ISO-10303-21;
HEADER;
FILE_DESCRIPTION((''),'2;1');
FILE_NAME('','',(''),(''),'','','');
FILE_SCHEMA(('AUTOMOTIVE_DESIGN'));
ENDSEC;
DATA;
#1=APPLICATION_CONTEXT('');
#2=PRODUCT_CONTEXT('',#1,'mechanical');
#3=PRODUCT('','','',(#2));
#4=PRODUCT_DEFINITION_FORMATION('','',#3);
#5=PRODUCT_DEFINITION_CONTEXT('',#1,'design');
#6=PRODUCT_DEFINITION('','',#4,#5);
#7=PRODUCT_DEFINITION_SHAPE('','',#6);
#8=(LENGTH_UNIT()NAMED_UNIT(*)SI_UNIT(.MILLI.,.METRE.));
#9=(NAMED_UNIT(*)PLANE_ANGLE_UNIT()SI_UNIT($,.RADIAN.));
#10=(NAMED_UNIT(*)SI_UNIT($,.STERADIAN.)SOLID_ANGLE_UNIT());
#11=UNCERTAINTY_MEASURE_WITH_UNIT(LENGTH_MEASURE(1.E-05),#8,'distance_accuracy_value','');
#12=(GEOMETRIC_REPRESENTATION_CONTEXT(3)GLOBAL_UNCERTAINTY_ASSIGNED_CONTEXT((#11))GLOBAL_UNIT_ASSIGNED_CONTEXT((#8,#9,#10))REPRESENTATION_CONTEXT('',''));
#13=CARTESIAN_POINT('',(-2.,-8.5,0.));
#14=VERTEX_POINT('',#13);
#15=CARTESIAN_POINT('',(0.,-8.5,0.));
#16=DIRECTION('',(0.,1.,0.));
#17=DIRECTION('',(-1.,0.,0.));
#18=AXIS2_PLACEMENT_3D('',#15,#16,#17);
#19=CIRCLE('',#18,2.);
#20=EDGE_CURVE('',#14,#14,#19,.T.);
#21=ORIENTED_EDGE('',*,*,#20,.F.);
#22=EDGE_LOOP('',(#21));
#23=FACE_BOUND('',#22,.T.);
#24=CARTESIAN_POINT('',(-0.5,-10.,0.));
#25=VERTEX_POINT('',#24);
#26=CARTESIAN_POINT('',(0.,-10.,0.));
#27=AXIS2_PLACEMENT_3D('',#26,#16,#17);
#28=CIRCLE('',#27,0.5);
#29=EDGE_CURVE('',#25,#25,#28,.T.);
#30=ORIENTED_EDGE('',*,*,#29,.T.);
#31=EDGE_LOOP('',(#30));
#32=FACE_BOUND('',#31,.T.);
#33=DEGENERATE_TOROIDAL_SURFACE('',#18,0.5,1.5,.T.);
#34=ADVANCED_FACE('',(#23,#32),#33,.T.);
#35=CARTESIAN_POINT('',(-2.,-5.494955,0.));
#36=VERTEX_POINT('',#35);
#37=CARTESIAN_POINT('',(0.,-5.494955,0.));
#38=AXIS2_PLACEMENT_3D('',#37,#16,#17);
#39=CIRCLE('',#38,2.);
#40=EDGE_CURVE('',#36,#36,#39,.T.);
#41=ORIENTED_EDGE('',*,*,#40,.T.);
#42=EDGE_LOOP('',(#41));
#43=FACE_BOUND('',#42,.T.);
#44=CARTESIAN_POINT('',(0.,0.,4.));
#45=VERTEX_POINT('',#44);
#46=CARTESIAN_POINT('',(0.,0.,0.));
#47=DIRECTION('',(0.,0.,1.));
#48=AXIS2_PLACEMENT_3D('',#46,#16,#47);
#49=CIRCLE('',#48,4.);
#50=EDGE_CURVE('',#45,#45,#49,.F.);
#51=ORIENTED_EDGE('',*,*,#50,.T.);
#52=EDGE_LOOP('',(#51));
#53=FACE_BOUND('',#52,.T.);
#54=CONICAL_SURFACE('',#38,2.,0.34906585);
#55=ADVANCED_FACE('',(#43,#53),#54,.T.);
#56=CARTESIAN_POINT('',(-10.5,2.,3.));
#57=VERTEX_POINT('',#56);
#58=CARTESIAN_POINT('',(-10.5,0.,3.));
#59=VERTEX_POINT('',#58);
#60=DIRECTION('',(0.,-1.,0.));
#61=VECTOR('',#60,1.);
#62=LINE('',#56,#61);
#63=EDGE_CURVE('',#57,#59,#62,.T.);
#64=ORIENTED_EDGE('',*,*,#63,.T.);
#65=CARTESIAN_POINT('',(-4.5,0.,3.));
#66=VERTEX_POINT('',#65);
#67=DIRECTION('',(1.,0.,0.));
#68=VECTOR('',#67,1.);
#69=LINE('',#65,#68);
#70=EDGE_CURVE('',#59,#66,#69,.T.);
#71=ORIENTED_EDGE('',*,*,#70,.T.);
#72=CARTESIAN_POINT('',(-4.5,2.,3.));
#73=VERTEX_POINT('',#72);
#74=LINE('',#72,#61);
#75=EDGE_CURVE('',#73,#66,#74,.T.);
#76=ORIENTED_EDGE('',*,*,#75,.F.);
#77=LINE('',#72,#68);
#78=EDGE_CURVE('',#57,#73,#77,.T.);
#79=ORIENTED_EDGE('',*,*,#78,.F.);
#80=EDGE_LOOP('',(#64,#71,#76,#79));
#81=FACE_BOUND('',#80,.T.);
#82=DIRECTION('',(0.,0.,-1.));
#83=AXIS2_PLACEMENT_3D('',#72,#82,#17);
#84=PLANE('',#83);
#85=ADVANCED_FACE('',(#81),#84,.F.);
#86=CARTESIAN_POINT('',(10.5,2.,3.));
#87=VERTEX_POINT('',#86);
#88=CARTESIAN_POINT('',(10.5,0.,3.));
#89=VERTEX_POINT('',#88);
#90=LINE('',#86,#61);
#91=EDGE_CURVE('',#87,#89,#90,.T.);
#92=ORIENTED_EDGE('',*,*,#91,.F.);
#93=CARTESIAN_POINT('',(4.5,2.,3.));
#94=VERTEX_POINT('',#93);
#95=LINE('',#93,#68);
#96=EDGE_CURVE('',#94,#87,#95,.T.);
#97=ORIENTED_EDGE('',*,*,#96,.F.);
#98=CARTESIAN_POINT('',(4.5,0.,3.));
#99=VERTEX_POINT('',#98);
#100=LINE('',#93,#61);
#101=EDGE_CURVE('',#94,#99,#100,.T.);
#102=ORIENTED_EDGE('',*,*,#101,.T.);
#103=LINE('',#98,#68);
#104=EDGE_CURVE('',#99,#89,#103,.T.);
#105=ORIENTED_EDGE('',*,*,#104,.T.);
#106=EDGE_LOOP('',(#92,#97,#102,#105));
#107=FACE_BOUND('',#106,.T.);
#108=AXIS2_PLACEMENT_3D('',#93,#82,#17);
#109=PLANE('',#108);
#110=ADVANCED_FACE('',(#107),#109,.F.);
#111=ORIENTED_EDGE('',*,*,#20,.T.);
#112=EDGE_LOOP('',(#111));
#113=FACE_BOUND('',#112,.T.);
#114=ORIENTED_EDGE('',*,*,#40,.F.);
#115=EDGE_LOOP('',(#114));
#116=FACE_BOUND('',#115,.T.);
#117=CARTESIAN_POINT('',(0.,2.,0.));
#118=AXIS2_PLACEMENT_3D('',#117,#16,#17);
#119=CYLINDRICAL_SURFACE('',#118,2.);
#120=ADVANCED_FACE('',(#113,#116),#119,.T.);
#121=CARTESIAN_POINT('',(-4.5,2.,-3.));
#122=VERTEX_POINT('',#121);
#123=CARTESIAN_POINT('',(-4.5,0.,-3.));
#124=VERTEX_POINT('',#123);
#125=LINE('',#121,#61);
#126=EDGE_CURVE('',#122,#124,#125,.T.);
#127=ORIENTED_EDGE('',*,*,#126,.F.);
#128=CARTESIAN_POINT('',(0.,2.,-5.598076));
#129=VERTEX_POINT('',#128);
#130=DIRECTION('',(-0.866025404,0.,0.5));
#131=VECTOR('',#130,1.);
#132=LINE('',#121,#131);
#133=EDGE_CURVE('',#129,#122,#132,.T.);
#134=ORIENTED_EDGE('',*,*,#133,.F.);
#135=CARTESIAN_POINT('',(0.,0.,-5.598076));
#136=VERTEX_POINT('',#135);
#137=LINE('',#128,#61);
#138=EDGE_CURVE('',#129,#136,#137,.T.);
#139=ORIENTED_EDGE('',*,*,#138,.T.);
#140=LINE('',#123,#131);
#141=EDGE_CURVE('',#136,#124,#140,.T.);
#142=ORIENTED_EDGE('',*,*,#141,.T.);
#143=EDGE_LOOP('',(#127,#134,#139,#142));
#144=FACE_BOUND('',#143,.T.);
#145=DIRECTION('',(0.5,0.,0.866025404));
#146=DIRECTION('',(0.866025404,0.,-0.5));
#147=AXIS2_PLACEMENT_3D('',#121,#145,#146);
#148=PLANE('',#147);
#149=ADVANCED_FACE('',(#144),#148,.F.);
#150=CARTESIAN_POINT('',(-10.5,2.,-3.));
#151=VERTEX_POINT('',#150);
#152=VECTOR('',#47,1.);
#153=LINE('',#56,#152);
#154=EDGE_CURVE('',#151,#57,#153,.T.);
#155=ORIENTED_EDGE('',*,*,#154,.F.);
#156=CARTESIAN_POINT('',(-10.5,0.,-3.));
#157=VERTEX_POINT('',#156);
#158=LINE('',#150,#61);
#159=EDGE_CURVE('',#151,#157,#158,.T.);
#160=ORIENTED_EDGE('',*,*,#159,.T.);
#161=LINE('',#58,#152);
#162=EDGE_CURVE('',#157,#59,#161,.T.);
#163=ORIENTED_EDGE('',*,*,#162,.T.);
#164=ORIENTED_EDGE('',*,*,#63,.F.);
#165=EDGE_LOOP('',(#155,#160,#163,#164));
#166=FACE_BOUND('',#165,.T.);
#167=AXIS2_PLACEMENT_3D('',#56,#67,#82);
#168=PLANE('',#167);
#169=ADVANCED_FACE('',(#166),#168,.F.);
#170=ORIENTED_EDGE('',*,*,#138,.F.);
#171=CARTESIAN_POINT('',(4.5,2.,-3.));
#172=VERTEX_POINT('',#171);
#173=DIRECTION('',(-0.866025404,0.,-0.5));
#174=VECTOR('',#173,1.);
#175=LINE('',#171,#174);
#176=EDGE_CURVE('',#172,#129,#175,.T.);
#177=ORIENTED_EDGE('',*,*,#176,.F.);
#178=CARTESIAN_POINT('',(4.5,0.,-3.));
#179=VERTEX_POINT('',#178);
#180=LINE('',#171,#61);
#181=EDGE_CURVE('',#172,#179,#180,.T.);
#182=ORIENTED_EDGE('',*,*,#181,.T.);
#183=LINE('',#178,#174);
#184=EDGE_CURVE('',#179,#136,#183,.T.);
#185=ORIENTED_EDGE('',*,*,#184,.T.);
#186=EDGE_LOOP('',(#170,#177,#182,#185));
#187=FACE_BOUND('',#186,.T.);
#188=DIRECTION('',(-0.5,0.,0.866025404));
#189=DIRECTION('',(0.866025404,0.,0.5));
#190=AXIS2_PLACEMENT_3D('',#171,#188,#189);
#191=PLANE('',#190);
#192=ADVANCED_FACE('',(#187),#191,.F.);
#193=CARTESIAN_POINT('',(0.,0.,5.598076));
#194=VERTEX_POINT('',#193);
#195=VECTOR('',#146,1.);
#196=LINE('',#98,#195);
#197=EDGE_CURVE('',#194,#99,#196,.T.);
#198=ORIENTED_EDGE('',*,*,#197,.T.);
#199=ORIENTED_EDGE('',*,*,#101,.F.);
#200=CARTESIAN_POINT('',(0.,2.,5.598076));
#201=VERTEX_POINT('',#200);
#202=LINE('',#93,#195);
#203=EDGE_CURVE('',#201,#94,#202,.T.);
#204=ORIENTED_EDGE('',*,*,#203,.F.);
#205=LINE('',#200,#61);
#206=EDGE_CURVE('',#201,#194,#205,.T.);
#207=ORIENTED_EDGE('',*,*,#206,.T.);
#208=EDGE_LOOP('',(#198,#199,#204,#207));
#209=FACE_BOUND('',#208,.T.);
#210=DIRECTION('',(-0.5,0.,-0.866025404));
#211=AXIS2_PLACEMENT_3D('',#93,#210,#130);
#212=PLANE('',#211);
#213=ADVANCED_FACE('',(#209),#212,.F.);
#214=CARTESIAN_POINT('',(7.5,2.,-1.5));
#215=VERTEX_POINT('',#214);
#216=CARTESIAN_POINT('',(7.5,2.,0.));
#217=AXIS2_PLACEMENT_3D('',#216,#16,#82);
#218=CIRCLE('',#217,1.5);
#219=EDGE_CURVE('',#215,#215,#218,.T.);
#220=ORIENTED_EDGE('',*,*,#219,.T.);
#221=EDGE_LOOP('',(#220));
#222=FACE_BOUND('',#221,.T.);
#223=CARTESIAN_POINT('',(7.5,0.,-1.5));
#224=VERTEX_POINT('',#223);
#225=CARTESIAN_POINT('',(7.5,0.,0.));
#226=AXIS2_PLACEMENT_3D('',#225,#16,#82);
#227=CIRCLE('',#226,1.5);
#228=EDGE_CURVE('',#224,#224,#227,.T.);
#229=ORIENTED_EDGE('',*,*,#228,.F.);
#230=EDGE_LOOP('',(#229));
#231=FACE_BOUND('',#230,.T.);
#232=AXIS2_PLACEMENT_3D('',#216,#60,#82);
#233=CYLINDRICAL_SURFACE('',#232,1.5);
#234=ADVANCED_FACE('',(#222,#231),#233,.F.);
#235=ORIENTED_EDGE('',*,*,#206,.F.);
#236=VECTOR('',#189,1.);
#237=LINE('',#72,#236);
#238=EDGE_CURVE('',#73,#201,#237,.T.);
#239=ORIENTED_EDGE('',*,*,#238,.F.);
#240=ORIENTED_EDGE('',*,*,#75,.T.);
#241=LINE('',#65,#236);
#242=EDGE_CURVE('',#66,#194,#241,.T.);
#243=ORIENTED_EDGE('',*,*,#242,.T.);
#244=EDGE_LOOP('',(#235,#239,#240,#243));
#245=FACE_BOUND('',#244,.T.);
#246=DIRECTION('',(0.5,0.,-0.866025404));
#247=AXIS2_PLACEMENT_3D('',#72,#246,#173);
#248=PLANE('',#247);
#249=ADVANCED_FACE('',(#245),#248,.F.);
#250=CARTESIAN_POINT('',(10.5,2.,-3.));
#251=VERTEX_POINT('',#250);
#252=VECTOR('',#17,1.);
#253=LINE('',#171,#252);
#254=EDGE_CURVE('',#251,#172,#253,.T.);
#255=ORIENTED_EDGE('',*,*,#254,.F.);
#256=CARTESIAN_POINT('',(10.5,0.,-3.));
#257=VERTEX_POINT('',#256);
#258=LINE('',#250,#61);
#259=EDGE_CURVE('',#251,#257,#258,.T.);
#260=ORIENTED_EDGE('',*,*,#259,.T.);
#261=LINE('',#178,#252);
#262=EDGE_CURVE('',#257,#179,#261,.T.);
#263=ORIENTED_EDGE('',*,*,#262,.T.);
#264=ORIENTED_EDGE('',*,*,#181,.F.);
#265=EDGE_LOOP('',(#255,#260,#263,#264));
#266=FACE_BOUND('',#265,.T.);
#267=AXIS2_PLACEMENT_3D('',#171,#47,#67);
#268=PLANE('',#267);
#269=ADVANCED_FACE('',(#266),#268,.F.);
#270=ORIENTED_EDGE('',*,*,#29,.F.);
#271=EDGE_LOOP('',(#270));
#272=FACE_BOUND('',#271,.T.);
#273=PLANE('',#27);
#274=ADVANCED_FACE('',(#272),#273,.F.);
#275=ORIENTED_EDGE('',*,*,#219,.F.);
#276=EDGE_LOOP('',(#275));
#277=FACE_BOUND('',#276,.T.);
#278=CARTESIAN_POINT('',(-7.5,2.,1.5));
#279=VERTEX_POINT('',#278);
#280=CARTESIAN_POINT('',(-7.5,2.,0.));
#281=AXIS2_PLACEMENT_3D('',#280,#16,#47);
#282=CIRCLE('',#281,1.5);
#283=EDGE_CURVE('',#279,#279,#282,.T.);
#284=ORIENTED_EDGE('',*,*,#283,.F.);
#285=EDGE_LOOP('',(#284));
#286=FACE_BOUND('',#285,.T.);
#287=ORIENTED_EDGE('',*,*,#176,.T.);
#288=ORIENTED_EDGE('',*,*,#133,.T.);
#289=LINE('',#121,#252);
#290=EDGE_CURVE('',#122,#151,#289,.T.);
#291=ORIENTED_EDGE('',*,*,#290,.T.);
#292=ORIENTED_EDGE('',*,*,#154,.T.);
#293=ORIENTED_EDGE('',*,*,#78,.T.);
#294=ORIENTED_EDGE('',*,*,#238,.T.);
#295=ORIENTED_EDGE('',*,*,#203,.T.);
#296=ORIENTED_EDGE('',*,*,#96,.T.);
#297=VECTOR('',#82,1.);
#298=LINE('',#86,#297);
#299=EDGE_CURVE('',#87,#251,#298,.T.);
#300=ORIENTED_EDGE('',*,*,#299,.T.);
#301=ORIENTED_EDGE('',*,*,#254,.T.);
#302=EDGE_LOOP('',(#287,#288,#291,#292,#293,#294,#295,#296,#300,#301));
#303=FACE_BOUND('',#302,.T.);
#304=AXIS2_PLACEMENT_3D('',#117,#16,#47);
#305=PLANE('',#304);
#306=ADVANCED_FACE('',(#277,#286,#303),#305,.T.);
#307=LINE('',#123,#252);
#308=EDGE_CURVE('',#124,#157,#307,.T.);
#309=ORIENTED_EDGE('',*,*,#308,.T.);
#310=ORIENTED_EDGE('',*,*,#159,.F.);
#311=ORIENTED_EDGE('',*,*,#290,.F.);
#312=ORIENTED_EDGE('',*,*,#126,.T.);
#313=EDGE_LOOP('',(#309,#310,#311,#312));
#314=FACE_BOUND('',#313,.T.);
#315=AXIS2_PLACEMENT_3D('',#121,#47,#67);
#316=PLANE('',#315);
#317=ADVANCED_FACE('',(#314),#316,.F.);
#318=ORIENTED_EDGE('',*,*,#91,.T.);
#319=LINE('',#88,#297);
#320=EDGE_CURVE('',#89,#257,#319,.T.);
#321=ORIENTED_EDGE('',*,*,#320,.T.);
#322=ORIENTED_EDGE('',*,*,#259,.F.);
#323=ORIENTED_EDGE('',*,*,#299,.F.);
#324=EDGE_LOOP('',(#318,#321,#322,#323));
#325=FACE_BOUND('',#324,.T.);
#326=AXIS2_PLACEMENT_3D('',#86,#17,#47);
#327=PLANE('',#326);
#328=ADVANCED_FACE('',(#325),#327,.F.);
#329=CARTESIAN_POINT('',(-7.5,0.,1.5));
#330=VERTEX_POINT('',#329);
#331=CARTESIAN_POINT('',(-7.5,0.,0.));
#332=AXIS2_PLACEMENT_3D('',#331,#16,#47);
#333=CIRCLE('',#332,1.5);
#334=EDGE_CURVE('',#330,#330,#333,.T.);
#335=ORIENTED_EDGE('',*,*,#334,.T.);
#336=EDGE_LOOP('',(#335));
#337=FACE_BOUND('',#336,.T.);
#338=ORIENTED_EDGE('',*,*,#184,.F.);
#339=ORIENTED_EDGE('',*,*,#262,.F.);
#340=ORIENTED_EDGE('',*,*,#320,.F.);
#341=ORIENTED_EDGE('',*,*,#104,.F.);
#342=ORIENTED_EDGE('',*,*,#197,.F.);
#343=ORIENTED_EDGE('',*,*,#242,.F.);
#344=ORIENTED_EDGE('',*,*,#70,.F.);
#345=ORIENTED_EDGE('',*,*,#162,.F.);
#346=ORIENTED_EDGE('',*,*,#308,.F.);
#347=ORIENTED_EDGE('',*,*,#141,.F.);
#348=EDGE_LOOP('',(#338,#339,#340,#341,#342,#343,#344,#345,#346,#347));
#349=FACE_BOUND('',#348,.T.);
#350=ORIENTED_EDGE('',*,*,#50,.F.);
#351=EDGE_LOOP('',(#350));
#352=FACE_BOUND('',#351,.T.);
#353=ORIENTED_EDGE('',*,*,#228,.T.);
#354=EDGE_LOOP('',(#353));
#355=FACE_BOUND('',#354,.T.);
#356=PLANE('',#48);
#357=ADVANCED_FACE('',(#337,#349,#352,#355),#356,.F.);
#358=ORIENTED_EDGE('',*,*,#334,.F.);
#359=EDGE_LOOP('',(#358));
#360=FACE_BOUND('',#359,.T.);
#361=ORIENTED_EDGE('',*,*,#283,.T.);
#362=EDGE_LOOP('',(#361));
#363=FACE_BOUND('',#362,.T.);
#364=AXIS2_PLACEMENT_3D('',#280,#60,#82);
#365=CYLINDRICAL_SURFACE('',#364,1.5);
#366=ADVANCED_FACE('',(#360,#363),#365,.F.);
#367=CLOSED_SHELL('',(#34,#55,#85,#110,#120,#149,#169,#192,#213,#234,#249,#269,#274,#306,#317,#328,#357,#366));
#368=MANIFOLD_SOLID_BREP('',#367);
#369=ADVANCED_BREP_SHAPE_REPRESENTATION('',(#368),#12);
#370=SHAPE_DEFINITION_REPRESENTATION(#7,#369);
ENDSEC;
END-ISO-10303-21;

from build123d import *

# Parameters (mm, degrees)
SKETCH1_R           = 1.5
BOSS_EXTRUDE1_DEPTH = 2


with BuildPart() as part:
    # Sketch1 → Boss-Extrude1 (new body)
    with BuildSketch(Plane(origin=(0, 0, 0), x_dir=(1, 0, 0), z_dir=(0, 1, 0))):
        Polygon((-4.5, 3), (0, 5.598076211), (4.5, 3), (10.5, 3), (10.5, -3), (4.5, -3), (0, -5.598076211), (-4.5, -3), (-10.5, -3), (-10.5, 3), align=None)
        with Locations(Location((-7.5, 0, 0), (0, 0, 270))):
            Circle(SKETCH1_R, mode=Mode.SUBTRACT)
        with Locations(Location((7.5, 0, 0), (0, 0, 90))):
            Circle(SKETCH1_R, mode=Mode.SUBTRACT)
    extrude(amount=BOSS_EXTRUDE1_DEPTH)

    # Sketch2 → Revolve1 (revolve)
    with BuildSketch(Plane.XY, mode=Mode.PRIVATE) as revolve1_sk:
        with BuildLine():
            Line((0, -10), (0.5, -10))
            ThreePointArc((0.5, -10), (1.560660172, -9.560660172), (2, -8.5))
            Line((2, -8.5), (2, 2))
            Line((2, 2), (0, 2))
            Line((0, 2), (0, -10))
        make_face()
        Polygon((4, 0), (2, 0), (2, -5.494954839), align=None)
    revolve(revolve1_sk.sketch.rotate(Axis((0, 2, 0), (0, -1, 0)), 180), axis=Axis((0, 2, 0), (0, -1, 0)))


solid = part.part
